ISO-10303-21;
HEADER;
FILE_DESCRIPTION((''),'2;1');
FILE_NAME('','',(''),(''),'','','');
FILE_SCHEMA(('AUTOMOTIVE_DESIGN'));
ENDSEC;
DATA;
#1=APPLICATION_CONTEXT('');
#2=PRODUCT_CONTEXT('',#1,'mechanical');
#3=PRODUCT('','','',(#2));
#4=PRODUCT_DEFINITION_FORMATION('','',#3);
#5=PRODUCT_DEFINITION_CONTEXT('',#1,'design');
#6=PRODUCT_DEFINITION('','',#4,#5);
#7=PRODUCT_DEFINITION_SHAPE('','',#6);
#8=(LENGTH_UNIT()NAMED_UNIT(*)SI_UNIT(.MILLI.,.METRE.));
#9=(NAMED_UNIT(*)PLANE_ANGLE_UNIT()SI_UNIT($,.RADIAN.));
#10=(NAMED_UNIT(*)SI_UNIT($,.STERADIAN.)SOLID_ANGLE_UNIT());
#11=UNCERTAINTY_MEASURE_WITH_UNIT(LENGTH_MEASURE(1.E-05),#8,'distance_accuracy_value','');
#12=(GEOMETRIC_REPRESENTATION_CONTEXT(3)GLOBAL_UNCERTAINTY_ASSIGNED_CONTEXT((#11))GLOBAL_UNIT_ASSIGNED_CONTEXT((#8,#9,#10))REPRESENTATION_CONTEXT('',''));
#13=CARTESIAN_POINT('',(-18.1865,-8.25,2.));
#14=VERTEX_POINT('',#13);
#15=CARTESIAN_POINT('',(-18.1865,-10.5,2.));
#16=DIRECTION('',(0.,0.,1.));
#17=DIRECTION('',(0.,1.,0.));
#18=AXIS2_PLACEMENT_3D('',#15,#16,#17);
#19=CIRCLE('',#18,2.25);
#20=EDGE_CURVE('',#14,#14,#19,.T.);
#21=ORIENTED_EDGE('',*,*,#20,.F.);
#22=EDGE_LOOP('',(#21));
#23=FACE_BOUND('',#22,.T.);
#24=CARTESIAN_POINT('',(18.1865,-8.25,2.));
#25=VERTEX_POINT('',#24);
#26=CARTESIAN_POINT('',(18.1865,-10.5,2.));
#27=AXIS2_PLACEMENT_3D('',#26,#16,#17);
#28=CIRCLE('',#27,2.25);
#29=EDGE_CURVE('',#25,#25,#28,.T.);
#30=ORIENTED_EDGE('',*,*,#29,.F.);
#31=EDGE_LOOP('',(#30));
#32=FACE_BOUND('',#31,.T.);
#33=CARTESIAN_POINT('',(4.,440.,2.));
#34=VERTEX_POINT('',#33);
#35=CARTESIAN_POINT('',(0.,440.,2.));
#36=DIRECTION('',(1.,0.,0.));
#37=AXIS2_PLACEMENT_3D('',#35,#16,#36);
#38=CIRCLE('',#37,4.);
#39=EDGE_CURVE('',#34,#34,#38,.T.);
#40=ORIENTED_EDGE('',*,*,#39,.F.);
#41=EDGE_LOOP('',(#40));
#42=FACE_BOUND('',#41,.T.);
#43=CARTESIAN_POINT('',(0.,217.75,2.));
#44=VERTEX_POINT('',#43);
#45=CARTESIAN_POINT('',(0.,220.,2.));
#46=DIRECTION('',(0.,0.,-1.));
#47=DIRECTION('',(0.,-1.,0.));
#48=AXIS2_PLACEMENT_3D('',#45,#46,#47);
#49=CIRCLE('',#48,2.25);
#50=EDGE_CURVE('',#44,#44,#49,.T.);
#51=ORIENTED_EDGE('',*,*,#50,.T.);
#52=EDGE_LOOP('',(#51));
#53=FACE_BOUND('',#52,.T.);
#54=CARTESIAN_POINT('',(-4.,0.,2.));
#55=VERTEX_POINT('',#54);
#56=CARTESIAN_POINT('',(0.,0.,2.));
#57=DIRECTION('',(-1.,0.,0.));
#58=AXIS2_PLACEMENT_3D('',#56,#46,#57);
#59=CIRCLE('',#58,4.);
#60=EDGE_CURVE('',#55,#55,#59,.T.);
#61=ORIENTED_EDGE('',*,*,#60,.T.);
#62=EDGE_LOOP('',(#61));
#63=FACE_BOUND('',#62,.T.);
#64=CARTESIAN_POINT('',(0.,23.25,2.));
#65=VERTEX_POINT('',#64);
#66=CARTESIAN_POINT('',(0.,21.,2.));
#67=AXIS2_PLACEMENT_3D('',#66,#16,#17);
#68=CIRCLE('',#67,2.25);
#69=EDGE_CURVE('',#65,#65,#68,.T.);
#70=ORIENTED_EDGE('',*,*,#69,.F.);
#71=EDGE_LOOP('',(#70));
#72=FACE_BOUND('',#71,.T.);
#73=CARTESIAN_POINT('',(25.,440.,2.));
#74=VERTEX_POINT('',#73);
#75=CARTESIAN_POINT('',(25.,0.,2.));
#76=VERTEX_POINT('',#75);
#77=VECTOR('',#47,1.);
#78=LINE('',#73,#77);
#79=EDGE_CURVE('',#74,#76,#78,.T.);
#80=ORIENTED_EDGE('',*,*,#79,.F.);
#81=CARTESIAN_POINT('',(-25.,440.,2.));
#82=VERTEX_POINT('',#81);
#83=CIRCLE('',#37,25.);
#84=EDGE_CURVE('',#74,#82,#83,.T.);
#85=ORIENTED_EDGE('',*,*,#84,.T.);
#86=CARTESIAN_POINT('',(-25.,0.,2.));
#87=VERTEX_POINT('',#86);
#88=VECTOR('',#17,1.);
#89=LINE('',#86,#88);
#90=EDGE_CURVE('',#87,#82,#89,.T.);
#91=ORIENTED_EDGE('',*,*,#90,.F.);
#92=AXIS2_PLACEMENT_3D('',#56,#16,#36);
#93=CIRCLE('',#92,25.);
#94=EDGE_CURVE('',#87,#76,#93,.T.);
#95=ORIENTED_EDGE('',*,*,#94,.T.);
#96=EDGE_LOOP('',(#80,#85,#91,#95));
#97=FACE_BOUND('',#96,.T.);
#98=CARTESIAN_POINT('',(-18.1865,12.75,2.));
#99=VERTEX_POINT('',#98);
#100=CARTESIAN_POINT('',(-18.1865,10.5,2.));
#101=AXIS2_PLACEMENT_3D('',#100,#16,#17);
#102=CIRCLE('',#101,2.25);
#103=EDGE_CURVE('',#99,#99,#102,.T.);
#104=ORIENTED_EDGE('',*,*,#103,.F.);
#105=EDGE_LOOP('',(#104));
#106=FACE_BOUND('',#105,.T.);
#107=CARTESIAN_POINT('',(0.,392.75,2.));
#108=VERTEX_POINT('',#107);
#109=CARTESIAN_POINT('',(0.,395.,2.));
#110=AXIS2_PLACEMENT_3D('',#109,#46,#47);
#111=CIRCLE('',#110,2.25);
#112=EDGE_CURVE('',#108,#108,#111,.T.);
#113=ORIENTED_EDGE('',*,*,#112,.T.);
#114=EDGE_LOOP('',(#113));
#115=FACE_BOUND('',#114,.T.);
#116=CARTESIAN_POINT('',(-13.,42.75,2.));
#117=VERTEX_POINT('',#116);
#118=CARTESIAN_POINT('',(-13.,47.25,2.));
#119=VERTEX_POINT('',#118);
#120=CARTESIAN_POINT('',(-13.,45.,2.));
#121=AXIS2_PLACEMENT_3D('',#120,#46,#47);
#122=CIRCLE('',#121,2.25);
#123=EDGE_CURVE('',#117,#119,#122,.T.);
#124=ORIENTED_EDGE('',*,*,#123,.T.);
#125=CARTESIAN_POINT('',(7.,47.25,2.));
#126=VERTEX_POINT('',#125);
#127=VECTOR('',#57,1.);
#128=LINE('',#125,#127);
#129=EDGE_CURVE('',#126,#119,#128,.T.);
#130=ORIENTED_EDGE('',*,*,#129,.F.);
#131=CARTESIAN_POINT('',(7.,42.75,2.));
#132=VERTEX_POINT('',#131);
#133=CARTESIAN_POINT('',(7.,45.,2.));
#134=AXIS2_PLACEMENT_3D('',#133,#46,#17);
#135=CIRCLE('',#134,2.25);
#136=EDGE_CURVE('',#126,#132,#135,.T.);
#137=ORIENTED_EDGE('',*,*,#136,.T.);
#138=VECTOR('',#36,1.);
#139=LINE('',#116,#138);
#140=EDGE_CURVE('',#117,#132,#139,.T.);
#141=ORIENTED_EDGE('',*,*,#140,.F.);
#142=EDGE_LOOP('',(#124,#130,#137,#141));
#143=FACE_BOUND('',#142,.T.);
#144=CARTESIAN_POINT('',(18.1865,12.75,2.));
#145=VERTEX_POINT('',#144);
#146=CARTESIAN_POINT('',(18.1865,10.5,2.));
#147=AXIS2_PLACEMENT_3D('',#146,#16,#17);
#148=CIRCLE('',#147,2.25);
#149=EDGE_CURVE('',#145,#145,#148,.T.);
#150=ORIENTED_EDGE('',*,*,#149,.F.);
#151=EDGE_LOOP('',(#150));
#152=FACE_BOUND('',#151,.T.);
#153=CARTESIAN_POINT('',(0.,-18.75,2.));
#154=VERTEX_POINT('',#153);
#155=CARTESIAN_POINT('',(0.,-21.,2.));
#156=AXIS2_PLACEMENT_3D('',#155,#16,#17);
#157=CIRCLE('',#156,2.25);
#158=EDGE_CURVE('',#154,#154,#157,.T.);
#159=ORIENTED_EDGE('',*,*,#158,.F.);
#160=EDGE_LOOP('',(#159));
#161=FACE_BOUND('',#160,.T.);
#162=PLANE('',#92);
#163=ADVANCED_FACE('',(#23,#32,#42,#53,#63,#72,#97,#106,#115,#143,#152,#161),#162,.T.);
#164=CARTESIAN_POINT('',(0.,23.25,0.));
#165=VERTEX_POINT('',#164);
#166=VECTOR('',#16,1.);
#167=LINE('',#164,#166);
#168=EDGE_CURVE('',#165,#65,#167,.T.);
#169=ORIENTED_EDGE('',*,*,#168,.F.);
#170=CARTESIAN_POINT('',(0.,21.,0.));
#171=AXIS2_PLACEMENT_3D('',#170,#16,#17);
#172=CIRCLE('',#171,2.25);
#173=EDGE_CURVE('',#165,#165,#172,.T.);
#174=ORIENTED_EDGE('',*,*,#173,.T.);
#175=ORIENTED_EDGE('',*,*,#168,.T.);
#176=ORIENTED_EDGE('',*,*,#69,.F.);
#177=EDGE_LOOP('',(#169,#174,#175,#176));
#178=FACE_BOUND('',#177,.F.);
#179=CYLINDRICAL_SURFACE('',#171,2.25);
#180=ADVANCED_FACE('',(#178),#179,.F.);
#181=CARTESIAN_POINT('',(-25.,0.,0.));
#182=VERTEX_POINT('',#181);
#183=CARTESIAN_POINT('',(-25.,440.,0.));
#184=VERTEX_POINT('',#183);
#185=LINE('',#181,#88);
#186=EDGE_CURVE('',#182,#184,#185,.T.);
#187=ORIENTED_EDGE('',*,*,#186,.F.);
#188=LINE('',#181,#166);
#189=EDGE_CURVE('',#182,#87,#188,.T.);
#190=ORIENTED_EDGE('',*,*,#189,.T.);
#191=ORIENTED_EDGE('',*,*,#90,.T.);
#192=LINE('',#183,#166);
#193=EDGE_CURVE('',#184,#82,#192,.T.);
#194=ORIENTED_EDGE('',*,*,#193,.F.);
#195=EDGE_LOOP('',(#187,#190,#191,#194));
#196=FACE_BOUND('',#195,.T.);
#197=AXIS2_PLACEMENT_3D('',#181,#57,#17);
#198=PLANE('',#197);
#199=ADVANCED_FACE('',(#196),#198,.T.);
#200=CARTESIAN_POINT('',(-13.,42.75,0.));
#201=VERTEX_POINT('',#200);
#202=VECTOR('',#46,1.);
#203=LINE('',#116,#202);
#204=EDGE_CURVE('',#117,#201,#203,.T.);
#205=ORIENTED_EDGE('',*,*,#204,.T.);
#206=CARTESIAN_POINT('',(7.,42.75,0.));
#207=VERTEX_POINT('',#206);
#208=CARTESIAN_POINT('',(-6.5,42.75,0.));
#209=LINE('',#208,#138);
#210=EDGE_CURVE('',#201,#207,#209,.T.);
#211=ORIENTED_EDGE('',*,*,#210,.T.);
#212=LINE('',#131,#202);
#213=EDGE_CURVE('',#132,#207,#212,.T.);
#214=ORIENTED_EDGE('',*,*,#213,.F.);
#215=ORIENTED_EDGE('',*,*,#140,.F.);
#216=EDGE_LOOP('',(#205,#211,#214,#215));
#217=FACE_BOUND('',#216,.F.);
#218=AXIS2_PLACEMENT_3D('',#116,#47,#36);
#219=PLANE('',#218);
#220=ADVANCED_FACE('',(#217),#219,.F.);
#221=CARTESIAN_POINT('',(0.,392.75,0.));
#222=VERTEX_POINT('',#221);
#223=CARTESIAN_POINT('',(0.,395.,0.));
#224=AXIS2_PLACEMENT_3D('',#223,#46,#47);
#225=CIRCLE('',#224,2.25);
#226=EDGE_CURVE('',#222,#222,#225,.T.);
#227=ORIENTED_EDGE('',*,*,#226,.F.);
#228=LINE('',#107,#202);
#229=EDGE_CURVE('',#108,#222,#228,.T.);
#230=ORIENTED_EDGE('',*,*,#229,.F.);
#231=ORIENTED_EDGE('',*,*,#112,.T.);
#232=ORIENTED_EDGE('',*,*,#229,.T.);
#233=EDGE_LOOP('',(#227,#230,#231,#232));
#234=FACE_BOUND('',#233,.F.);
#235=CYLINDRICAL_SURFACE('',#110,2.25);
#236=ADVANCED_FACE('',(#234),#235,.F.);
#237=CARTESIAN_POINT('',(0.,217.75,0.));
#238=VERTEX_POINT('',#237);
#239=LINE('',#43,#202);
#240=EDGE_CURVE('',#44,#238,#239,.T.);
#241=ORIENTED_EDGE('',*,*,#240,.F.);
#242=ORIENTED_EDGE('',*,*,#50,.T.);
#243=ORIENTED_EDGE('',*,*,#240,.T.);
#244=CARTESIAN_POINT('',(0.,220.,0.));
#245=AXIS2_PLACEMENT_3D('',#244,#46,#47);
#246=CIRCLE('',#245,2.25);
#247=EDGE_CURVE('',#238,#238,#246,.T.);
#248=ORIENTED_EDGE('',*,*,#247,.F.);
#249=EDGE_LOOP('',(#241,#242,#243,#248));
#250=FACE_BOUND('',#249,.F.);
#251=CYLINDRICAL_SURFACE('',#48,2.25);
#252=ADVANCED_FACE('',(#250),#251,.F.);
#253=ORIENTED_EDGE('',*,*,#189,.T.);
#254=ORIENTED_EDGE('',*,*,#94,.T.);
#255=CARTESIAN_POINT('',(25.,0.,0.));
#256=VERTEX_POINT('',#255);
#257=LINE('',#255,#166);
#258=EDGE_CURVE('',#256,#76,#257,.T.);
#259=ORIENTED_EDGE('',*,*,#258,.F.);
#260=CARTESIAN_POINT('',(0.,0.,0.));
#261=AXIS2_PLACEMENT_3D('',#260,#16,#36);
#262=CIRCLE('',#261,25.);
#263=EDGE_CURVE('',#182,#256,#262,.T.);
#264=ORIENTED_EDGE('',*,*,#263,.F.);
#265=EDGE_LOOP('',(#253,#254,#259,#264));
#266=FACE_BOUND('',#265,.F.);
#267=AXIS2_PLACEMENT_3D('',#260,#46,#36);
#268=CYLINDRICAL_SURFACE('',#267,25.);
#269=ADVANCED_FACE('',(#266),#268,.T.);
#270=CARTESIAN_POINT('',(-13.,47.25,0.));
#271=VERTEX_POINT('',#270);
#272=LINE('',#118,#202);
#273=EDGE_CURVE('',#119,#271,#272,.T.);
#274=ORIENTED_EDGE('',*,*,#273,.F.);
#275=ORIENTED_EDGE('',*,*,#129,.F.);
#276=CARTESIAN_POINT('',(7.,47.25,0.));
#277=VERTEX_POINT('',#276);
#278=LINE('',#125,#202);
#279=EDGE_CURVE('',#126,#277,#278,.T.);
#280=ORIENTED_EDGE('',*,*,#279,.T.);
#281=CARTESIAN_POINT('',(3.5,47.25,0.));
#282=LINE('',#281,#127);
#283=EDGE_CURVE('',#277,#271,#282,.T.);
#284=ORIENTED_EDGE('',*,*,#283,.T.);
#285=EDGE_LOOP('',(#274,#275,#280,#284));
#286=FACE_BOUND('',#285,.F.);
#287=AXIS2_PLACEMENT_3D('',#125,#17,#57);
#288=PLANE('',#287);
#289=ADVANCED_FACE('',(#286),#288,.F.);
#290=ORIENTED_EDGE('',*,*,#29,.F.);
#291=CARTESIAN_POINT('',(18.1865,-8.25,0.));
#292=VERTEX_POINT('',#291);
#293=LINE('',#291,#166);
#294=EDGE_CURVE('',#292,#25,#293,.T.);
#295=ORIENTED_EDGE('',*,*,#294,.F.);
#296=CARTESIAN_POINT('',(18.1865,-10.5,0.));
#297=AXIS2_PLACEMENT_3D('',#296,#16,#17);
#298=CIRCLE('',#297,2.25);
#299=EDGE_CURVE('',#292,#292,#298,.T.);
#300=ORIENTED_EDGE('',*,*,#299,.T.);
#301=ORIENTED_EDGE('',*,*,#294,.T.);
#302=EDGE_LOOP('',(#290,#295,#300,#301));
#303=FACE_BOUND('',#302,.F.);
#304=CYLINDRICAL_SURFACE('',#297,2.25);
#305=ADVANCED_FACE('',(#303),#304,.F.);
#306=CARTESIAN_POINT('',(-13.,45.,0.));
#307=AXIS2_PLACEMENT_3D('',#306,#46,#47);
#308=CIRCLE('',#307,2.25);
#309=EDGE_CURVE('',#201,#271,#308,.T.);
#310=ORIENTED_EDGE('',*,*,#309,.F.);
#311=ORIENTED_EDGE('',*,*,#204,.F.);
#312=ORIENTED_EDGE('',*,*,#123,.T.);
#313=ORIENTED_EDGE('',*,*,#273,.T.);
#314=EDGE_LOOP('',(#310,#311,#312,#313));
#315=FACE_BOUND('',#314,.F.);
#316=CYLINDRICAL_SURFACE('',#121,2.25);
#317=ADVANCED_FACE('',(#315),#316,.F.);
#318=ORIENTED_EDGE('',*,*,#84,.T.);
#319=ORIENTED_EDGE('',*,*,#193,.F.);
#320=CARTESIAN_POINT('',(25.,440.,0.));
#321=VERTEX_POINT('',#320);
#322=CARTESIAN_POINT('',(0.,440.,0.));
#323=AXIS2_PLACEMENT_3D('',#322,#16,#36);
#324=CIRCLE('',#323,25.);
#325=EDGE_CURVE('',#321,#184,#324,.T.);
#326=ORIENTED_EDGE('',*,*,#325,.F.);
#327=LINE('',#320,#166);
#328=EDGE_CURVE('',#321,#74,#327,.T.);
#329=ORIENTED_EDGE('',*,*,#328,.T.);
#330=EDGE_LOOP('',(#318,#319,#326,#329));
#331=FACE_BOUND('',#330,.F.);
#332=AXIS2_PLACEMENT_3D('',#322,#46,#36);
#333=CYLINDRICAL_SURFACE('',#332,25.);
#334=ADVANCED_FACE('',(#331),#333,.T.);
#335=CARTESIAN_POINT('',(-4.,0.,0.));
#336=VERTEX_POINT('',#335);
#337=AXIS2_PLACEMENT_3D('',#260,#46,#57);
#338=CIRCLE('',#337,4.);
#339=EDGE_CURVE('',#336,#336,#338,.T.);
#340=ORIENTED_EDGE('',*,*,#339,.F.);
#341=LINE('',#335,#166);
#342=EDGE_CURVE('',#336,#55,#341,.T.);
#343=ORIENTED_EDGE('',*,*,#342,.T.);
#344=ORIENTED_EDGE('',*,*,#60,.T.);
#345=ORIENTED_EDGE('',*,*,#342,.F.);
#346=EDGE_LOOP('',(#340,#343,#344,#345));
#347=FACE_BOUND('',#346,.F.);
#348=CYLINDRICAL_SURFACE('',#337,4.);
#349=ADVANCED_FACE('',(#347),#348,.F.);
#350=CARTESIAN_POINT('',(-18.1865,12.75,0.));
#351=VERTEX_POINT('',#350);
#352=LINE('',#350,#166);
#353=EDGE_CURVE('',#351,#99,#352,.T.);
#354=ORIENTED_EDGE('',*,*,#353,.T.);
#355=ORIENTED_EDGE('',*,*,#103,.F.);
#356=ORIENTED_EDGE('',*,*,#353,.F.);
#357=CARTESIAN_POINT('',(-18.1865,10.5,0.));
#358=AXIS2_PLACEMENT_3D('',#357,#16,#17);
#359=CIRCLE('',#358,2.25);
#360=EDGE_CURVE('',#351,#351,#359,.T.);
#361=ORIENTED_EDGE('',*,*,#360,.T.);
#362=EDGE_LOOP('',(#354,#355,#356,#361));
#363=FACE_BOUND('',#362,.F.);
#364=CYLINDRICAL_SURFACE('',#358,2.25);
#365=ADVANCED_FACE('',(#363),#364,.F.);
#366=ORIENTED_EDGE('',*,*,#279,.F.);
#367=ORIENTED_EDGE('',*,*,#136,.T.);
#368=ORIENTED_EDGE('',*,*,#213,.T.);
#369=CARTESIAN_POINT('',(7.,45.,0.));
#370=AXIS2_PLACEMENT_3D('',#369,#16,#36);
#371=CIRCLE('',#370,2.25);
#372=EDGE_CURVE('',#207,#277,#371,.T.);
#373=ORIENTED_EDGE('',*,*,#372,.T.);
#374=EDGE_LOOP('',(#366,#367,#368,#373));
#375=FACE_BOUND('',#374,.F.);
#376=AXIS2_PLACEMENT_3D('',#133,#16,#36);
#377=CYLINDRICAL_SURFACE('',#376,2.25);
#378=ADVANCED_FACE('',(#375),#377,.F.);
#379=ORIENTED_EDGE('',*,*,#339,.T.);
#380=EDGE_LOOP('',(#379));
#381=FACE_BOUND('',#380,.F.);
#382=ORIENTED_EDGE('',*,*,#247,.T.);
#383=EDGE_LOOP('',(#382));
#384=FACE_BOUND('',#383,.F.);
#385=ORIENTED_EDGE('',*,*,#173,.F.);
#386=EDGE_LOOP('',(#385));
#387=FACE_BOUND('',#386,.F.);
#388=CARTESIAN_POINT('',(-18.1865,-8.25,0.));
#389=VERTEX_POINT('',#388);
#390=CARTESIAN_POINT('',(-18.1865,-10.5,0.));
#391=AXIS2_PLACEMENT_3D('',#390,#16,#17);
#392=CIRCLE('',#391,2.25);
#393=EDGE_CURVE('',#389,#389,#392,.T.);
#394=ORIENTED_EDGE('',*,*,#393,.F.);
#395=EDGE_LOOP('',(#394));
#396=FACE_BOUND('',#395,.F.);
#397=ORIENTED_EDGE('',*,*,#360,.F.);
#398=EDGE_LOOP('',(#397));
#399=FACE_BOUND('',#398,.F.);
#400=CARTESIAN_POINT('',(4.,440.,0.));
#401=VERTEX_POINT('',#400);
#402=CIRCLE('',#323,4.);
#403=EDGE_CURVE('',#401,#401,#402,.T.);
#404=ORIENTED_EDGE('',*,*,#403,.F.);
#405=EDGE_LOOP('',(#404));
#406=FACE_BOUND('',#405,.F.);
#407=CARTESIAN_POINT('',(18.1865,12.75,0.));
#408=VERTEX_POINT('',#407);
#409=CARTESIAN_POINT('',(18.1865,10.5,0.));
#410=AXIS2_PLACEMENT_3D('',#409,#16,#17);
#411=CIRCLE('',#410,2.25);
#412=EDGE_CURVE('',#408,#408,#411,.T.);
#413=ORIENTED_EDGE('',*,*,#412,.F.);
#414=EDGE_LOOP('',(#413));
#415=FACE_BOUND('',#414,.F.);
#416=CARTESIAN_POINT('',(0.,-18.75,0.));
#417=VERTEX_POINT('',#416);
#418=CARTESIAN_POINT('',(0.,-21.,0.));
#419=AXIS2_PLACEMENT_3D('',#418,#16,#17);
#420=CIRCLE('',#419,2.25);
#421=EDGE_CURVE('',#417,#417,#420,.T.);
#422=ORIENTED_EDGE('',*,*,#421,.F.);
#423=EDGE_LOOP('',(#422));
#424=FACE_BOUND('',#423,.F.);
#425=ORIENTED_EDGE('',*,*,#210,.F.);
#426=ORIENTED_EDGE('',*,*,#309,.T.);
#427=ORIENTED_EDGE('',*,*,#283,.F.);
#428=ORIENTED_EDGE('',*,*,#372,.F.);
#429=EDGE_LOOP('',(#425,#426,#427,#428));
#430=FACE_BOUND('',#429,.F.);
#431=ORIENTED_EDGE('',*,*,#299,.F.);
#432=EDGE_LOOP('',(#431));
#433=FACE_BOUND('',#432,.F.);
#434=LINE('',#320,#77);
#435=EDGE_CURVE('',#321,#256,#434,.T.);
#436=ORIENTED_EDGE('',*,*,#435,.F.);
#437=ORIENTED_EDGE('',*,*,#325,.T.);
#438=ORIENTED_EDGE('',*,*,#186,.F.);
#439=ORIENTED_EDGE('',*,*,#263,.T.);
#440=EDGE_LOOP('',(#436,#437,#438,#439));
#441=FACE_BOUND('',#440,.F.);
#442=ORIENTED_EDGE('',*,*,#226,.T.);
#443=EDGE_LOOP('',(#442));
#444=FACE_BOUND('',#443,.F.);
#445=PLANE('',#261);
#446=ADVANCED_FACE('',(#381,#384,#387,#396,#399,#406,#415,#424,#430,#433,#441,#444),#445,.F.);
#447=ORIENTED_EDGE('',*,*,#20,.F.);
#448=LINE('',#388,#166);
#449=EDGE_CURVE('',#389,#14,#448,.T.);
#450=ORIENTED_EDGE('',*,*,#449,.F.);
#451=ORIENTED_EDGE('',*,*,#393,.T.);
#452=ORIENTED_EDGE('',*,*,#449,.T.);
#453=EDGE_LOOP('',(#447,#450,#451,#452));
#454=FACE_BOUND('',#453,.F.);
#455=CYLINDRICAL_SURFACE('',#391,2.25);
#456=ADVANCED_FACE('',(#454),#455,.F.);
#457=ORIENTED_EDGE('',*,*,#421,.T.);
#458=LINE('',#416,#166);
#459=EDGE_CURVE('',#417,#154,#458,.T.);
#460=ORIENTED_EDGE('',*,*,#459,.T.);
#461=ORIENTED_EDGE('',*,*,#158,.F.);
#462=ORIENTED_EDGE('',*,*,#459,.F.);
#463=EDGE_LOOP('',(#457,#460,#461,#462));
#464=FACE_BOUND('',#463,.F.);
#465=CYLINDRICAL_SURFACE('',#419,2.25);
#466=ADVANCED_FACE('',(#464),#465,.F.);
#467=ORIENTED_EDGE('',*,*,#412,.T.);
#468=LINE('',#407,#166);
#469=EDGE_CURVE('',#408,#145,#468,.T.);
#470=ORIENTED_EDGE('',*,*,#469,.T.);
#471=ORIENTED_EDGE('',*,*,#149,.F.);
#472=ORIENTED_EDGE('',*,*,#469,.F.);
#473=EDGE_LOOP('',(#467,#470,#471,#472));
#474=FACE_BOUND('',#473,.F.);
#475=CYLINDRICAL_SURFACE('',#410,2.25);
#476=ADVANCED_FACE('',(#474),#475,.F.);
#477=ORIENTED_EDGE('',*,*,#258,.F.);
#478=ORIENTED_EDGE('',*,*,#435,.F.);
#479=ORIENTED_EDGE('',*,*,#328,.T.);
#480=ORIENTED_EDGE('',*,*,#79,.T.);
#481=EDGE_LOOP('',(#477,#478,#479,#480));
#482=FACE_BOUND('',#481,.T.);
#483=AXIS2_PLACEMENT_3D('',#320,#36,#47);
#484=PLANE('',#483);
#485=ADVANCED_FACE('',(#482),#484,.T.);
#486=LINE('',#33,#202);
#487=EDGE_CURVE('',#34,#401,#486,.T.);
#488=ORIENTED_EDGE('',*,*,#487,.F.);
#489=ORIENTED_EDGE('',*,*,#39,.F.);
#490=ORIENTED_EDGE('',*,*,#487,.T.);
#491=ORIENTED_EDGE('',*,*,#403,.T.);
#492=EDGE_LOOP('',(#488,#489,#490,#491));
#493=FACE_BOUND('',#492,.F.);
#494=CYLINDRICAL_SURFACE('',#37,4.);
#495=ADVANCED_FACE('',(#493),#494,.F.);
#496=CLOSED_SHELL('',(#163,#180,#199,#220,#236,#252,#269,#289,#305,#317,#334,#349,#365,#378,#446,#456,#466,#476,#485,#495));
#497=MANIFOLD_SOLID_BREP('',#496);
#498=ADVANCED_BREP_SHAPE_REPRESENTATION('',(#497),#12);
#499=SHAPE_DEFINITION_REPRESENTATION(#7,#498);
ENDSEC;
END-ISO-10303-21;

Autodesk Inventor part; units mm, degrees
ref_plane "YZ Plane" through (0, 0, 0) normal (1, 0, 0) x (0, 1, 0)
ref_plane "XZ Plane" through (0, 0, 0) normal (0, 1, 0) x (-1, 0, 0)
ref_plane "XY Plane" through (0, 0, 0) normal (0, 0, 1) x (1, 0, 0)
sketch "スケッチ1" plane through (0, 0, 0) normal (0, 0, 1) x (1, 0, 0)
  circle A0 centre (0, 0) radius 25
  circle A1 centre (0, 440) radius 25
  line L0 (-25, 0) -> (-25, 440)
  line L1 (25, 440) -> (25, 0)
  dimension "d0" = 50
  dimension "d1" = 50
  dimension "d2" = 440
extrude "プレート1" add sketch "スケッチ1" along normal blind 2
sketch "スケッチ4" plane through (0, 0, 0) normal (0, 0, -1) x (-1, 0, 0)
  circle A0 centre (0, 0) radius 4
  dimension "d28" = 8
extrude "押し出し1" cut sketch "スケッチ4" against normal blind 10
sketch "スケッチ5" plane through (0, 0, 0) normal (0, 0, -1) x (-1, 0, 0)
  circle A0 centre (0, 0) radius 21
  point P0 (0, 21)
  point P1 (-18.1865, 10.5)
  point P2 (-18.1865, -10.5)
  point P3 (0, -21)
  point P4 (18.1865, -10.5)
  point P5 (18.1865, 10.5)
  dimension "d31" = 42
  dimension "d34" = 360
hole "穴3" at (0, 21, 0) at (18.1865, 10.5, 0) at (18.1865, -10.5, 0) at (0, -21, 0) at (-18.1865, -10.5, 0) at (-18.1865, 10.5, 0) direction (0, 0, 1) diameter 4.5 end through all clearance for "Flat Head Machine Screw" size "M4" standard "Ansi Metric M Profile"
sketch "スケッチ6" plane through (0, 0, 2) normal (0, 0, 1) x (1, 0, 0)
  arc A0 (25, 440) -> (-25, 440) centre (0, 440) ccw projected
  circle A1 centre (0, 440) radius 4
  point P0 (0, 0)
  dimension "d43" = 8
extrude "押し出し2" cut sketch "スケッチ6" against normal blind 10
sketch "スケッチ8" plane through (0, 0, 2) normal (0, 0, 1) x (1, 0, 0)
  arc A0 (25, 440) -> (-25, 440) centre (0, 440) ccw projected
  point P0 (0, 0)
  point P1 (-13, 45)
  point P2 (0, 395)
  point P3 (0, 220)
  dimension "d54" = 45
  dimension "d55" = 220
  dimension "d71" = 45
  dimension "d72" = 13
hole "穴4" at (-13, 45, 2) at (0, 395, 2) at (0, 220, 2) direction (0, 0, -1) diameter 4.5 end through all clearance for "Flat Head Machine Screw" size "M4" standard "Ansi Metric M Profile"
sketch "スケッチ10" plane through (0, 0, 2) normal (0, 0, 1) x (1, 0, 0)
  circle A0 centre (7, 45) radius 2.25
  line L0 (7, 45) -> (-13, 45) construction
  line L1 (7, 47.25) -> (-13, 47.25)
  line L2 (-13, 42.75) -> (7, 42.75)
  arc A1 (7, 42.75) -> (7, 47.25) centre (7, 45) ccw
  arc A2 (-13, 47.25) -> (-13, 42.75) centre (-13, 45) ccw
  circle A3 centre (-13, 45) radius 2.25 projected
  point P0 (0, 0)
  point P1 (-3, 45)
  point P2 (7, 47.25)
  point P3 (7, 42.75)
  dimension "d68" = 20
extrude "押し出し3" cut sketch "スケッチ10" against normal blind 10
equation "\"d41\" = Thickness"
equation "\"d3\" = Thickness"
equation "\"BendRadius\" = Thickness"
equation "\"BendReliefWidth\" = Thickness"
equation "\"BendReliefDepth\" = 0.5 * Thickness"
equation "\"CornerReliefSize\" = 4 * Thickness"
equation "\"MinimumRemnant\" = 2 * Thickness"
equation "\"TransitionRadius\" = BendRadius"
equation "\"JacobiRadiusSize\" = Thickness"
equation "\"GapSize\" = Thickness"
equation "\"Thickness\" = 2"
properties part number "link3-plate1" material "CFRP"
